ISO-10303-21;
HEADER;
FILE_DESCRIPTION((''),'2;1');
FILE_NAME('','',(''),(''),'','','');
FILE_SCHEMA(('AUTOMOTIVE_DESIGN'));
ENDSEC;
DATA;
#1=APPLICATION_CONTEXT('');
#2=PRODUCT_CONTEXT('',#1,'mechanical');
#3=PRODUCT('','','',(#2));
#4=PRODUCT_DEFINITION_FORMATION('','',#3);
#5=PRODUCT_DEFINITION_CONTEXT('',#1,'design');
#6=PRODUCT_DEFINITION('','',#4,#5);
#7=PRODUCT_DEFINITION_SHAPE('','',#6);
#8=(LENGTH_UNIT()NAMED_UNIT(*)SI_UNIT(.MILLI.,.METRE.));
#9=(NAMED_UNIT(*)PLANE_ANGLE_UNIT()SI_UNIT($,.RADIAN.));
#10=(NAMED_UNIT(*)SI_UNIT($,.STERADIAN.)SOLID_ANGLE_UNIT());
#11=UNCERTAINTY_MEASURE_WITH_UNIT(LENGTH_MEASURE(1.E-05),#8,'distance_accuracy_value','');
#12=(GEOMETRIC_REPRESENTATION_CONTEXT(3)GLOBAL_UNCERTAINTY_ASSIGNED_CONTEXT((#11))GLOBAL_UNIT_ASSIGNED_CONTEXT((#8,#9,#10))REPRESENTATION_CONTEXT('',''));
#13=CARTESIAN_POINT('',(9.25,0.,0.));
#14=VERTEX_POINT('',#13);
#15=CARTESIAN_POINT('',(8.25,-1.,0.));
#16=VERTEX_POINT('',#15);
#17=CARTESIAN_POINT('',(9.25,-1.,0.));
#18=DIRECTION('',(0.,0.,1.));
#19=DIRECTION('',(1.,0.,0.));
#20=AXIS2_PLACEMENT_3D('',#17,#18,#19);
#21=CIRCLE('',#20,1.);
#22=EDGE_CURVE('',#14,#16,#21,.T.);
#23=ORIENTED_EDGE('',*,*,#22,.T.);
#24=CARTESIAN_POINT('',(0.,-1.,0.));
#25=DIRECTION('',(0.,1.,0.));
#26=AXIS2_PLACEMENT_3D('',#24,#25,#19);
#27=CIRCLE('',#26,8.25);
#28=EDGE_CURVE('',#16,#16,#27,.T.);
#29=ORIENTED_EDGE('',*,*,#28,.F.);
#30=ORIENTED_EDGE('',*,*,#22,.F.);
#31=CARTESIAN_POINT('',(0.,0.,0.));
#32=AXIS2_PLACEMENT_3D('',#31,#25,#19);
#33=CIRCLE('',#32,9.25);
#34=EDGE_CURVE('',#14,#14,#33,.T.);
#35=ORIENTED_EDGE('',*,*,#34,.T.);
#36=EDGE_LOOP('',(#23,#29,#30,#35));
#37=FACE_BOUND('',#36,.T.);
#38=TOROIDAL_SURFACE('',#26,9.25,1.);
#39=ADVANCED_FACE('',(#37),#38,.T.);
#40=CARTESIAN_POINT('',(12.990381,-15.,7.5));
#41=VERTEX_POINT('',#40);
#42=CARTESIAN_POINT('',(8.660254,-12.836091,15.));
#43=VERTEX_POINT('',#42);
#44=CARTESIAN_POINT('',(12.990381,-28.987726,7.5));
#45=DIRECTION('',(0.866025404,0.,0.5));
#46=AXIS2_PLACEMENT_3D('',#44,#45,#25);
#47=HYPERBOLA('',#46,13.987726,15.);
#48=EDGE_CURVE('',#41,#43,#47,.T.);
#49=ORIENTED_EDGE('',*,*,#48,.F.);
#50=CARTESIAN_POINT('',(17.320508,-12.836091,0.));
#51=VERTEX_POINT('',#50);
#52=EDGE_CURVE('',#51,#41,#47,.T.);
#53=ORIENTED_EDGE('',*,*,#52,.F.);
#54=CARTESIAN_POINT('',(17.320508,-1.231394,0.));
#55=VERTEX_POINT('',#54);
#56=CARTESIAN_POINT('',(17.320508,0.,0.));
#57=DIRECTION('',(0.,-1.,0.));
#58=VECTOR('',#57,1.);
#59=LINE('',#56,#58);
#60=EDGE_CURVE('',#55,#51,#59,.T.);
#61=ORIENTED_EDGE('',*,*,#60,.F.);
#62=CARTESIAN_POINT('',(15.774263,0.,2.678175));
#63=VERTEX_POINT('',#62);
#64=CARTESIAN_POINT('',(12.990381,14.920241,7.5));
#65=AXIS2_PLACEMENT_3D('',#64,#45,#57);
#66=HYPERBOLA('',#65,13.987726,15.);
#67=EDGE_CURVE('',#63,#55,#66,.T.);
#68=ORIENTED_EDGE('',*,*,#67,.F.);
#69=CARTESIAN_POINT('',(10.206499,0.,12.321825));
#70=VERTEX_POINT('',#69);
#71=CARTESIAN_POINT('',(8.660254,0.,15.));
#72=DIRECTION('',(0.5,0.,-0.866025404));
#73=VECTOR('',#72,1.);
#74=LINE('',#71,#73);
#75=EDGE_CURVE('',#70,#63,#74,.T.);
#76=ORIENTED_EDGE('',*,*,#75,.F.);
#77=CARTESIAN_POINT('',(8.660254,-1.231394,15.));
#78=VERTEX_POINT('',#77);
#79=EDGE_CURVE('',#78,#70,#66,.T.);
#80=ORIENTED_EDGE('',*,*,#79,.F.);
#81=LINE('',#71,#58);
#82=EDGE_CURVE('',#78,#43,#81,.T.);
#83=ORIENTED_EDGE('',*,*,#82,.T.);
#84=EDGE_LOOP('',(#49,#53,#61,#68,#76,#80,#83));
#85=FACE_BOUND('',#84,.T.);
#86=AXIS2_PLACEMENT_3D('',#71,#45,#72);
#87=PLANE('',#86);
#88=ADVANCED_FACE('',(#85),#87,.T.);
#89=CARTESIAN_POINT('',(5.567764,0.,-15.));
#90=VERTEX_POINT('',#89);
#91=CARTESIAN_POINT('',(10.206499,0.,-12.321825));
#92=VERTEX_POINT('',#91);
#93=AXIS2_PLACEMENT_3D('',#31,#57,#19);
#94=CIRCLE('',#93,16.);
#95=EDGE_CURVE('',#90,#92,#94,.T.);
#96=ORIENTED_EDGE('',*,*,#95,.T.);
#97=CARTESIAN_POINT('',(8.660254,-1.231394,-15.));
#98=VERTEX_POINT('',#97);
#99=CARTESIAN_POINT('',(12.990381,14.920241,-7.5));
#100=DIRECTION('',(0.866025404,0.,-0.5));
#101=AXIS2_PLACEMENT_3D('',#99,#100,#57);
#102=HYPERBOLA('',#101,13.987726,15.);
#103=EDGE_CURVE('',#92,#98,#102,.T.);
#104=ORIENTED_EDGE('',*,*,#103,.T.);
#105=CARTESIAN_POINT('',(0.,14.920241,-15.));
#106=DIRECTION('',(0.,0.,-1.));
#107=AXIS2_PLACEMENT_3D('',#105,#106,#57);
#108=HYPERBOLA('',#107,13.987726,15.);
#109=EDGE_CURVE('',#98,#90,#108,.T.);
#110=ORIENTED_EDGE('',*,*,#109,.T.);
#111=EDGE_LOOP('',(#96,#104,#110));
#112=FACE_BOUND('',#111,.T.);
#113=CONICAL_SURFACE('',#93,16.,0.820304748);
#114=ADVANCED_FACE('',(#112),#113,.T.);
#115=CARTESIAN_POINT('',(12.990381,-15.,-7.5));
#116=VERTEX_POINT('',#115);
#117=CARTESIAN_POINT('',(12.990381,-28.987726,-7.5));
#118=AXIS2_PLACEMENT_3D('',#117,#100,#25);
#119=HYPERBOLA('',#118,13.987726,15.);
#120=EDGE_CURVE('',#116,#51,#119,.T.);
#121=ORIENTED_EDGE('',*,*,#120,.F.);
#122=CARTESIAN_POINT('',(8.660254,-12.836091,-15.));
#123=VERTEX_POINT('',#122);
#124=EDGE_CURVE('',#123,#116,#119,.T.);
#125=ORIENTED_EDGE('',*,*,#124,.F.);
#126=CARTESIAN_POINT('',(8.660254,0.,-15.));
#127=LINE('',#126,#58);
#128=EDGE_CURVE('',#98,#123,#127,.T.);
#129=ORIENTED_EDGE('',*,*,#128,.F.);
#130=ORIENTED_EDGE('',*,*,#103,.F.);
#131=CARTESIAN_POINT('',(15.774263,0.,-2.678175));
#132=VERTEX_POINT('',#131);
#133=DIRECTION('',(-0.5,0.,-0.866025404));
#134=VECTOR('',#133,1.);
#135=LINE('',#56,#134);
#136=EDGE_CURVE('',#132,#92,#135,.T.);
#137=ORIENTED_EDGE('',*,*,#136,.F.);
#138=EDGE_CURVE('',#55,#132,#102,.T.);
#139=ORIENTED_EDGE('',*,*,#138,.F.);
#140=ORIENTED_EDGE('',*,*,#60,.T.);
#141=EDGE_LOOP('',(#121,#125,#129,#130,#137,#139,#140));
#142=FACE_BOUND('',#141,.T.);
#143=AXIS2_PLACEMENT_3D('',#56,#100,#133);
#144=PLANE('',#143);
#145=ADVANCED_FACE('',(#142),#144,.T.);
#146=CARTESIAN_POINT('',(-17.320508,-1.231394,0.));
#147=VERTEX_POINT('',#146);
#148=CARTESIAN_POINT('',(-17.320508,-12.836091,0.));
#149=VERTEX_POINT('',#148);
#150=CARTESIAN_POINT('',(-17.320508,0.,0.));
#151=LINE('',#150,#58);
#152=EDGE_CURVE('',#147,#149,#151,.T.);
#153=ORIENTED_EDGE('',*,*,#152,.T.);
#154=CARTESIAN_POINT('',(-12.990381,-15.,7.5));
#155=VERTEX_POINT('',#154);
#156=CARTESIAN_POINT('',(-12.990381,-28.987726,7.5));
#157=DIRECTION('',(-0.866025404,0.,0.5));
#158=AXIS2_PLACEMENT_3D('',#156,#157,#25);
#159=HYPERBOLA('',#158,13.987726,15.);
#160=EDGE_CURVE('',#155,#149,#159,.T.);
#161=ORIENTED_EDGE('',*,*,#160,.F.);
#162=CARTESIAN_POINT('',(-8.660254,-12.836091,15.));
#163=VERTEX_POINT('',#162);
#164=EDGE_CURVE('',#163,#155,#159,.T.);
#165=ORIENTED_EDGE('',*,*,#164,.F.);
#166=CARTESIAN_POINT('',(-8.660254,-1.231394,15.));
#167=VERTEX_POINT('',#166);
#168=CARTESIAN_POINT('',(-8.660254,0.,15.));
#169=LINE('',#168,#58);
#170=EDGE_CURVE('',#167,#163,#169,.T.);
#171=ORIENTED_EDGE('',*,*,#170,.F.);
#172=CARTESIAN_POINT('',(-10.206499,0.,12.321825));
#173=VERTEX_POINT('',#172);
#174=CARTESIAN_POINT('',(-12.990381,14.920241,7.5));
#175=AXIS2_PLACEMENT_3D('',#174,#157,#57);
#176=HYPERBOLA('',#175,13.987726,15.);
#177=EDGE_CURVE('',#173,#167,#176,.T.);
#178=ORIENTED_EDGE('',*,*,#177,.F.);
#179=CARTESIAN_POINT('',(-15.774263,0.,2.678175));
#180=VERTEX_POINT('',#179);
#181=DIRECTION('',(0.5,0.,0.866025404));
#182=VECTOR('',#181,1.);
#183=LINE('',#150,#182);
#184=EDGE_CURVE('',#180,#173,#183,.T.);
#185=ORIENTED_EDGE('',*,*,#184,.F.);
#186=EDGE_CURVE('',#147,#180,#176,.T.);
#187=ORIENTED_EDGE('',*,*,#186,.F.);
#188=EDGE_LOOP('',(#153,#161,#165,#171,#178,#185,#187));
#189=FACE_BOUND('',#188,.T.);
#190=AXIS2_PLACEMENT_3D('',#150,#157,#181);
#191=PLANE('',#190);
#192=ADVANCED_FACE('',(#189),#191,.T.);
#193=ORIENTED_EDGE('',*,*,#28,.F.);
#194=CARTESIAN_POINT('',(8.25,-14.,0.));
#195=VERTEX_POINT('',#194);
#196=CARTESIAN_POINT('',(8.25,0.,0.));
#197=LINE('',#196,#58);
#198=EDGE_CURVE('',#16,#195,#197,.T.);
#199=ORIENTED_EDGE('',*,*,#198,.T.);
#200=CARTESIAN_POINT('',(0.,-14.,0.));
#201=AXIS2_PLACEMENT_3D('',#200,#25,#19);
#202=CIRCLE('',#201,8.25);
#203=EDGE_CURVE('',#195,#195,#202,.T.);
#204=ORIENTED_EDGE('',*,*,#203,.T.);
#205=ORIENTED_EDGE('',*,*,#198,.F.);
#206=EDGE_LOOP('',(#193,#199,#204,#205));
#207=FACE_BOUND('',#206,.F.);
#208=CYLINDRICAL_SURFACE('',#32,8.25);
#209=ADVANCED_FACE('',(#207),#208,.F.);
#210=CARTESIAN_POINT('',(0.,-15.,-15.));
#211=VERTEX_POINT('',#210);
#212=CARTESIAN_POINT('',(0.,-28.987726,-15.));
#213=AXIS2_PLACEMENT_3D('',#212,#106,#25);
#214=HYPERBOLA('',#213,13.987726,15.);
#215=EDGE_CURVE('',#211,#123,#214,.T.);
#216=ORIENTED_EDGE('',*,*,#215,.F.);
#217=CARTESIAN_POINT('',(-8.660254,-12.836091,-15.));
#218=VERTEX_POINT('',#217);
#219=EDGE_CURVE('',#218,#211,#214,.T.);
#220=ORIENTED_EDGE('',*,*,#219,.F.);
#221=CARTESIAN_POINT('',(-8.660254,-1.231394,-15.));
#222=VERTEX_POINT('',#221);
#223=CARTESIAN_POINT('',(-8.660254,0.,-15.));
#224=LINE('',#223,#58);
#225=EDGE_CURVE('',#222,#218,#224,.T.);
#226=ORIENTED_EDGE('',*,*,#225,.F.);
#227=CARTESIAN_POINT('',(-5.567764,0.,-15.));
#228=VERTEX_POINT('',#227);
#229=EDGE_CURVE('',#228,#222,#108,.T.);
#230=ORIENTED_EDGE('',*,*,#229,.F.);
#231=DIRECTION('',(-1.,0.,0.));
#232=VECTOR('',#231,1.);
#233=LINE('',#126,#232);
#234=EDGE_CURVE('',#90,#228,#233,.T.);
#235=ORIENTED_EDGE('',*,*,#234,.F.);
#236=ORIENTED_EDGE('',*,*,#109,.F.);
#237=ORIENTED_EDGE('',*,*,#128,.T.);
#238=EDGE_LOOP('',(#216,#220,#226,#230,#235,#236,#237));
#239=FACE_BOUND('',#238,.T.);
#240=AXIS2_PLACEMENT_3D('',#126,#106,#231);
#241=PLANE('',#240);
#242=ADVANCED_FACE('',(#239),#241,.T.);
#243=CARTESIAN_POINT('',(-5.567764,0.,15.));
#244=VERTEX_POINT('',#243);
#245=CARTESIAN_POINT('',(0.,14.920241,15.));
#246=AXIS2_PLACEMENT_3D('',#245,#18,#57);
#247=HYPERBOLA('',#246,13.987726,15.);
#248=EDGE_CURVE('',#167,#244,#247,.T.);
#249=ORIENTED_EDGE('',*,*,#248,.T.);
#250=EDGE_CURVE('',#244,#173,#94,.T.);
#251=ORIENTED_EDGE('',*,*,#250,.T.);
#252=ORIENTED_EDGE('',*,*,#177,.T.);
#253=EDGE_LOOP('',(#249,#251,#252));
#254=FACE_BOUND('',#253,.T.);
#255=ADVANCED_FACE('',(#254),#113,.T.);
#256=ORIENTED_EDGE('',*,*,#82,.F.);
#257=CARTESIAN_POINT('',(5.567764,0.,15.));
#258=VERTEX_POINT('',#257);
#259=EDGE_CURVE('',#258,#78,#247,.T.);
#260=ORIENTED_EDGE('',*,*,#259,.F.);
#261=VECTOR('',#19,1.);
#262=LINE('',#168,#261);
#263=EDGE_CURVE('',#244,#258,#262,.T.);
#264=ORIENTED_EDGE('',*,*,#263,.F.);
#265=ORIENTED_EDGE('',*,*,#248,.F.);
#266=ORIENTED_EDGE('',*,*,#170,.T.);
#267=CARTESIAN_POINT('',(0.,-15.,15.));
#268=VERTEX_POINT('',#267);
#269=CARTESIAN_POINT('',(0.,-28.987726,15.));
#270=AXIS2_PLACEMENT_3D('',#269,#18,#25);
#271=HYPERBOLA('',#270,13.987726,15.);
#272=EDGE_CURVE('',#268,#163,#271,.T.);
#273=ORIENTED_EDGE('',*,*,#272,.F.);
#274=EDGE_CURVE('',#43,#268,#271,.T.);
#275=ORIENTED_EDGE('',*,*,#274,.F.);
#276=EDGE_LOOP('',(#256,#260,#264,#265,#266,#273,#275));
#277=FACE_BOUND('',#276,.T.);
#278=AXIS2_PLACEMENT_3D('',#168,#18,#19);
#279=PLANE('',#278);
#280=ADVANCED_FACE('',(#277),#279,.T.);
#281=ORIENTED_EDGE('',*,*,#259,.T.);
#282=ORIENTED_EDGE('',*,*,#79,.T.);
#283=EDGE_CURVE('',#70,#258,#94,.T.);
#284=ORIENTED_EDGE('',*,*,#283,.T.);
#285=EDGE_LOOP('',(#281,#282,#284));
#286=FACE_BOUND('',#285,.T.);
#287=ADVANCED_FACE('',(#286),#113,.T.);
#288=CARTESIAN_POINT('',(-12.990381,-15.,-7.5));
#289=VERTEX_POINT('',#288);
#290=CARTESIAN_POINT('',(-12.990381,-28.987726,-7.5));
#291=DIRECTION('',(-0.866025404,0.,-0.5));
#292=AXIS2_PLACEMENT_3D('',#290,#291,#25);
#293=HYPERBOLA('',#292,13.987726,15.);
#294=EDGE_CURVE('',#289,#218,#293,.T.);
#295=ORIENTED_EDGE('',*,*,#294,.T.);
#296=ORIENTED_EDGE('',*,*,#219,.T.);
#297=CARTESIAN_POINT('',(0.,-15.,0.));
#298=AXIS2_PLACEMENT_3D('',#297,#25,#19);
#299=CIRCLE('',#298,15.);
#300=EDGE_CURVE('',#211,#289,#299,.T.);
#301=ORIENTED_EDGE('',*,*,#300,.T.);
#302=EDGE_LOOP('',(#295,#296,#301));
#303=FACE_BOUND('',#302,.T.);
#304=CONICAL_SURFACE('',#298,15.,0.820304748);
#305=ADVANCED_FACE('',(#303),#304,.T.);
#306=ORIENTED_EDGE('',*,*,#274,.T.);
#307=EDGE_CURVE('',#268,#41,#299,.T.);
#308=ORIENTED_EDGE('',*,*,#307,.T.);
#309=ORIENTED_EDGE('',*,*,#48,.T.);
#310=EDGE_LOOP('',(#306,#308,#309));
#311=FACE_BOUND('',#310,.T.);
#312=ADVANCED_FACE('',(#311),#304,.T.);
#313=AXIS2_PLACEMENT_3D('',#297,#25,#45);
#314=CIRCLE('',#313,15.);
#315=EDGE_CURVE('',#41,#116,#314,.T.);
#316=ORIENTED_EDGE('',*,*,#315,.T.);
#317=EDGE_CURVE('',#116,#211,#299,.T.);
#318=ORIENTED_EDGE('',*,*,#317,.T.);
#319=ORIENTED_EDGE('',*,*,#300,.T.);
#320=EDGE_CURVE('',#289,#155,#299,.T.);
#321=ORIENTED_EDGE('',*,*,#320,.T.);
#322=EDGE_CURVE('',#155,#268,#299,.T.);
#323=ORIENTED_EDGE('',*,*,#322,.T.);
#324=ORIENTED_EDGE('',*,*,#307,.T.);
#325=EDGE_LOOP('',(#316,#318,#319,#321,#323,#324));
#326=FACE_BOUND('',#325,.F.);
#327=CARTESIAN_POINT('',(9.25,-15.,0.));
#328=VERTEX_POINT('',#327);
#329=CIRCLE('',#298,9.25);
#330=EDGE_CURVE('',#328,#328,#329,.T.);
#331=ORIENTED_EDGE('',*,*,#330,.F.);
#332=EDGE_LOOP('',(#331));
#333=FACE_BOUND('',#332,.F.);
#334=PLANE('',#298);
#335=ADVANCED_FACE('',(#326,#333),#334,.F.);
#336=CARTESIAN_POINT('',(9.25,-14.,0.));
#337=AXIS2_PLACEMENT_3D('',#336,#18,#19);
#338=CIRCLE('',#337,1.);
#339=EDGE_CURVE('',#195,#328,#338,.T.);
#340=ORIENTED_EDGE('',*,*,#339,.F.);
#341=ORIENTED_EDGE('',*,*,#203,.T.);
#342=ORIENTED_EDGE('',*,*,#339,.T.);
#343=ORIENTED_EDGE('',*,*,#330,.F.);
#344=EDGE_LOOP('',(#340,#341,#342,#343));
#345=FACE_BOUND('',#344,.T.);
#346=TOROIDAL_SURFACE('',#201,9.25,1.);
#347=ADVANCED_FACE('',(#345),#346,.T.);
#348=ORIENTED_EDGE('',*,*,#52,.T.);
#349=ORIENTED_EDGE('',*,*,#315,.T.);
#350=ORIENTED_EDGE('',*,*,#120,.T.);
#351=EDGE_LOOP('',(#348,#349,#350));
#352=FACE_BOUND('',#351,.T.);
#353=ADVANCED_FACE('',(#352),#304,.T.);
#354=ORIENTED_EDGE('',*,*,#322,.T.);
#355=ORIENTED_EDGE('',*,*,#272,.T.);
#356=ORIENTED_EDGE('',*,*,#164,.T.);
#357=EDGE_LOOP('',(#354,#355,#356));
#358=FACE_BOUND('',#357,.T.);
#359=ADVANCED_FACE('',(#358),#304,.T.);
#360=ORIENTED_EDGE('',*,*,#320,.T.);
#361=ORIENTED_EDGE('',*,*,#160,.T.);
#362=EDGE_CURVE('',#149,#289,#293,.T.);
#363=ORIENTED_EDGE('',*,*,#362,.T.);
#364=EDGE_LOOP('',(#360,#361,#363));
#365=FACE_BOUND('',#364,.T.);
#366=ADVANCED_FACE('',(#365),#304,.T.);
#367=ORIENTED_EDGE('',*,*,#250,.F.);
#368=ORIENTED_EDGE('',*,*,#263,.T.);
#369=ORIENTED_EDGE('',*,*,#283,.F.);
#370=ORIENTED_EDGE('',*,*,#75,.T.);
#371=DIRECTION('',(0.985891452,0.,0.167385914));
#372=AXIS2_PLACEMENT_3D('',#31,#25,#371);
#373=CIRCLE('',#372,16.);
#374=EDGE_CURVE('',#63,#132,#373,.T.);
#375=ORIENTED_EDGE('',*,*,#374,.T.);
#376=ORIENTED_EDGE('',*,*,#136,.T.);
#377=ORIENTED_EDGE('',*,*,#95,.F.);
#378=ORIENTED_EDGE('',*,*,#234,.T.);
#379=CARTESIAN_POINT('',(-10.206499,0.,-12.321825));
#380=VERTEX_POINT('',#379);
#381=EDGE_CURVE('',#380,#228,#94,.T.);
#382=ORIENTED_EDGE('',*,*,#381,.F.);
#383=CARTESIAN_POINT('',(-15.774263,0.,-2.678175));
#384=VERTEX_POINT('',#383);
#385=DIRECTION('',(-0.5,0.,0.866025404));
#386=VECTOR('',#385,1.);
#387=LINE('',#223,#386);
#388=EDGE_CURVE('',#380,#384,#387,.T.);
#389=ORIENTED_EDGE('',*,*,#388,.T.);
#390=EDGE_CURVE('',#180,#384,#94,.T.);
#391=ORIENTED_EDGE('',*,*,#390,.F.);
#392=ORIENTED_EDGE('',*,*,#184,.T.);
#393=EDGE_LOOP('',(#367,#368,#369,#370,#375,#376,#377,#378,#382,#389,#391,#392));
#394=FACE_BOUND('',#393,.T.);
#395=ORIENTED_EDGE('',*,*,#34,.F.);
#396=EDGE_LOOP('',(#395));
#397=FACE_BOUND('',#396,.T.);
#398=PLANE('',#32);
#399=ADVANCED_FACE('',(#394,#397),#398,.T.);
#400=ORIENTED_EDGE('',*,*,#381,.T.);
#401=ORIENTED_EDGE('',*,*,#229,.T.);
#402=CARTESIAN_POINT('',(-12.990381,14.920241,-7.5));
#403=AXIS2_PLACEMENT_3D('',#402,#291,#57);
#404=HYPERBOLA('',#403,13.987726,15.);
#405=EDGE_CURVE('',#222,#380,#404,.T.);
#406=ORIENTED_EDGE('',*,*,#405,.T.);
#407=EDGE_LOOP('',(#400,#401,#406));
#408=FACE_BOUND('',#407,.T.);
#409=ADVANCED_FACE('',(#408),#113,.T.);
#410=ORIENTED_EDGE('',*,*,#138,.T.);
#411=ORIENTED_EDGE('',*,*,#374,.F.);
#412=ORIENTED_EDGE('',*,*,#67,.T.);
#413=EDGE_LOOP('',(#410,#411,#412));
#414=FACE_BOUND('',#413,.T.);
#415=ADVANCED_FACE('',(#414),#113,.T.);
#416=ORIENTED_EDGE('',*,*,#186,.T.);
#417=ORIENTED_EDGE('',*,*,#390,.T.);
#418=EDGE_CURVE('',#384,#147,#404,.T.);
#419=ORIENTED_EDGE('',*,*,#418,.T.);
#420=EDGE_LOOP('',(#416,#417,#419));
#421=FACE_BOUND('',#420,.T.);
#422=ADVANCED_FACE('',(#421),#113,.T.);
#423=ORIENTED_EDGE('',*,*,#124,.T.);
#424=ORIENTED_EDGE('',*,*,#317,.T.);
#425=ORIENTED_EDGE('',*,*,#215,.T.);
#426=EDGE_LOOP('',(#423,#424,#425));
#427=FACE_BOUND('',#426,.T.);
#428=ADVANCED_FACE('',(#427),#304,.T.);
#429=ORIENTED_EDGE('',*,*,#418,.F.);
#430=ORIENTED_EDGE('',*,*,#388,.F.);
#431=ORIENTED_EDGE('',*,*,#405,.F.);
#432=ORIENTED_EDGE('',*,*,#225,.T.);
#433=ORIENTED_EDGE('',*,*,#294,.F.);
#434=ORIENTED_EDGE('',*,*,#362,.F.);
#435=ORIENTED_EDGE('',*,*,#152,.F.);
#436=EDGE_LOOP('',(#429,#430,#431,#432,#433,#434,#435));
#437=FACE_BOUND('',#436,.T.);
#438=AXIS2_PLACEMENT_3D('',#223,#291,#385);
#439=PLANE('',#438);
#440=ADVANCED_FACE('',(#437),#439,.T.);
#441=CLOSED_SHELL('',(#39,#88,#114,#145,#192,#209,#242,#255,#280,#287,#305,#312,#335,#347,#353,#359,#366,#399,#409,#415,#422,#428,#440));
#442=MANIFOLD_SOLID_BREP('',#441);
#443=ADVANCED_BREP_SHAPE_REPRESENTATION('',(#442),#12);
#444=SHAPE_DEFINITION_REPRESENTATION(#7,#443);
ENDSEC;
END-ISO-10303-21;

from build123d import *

# Parameters (mm, degrees)
SALIENTE_EXTRUIR1_DEPTH = 15
CROQUIS2_OUTSIDE_W      = 78.456
CROQUIS2_OUTSIDE_H      = 73.814
CROQUIS2_OUTSIDE_R      = 16
CORTAR_EXTRUIR1_DEPTH   = 15
CORTAR_EXTRUIR1_TAPER   = 47
CROQUIS3_OUTSIDE_W      = 78.456
CROQUIS3_OUTSIDE_H      = 73.814
CROQUIS3_OUTSIDE_R      = 15
CORTAR_EXTRUIR2_DEPTH   = 15
CORTAR_EXTRUIR2_TAPER   = 47
CROQUIS4_R              = 8.25
CORTAR_EXTRUIR3_DEPTH   = 15
REDONDEO1_R             = 1


with BuildPart() as part:
    # Croquis1 → Saliente-Extruir1 (new body)
    with BuildSketch(Plane(origin=(0, 0, 0), x_dir=(1, 0, 0), z_dir=(0, 1, 0))):
        Polygon((-8.660254038, -15), (8.660254038, -15), (17.320508076, 0), (8.660254038, 15), (-8.660254038, 15), (-17.320508076, 0), align=None)
    extrude(amount=-SALIENTE_EXTRUIR1_DEPTH)

    # Croquis2 outside → Cortar-Extruir1 (cut)
    with BuildSketch(Plane(origin=(0, 0, 0), x_dir=(1, 0, 0), z_dir=(0, 1, 0))):
        Rectangle(CROQUIS2_OUTSIDE_W, CROQUIS2_OUTSIDE_H)
        Circle(CROQUIS2_OUTSIDE_R, mode=Mode.SUBTRACT)
    extrude(amount=-CORTAR_EXTRUIR1_DEPTH, taper=CORTAR_EXTRUIR1_TAPER, mode=Mode.SUBTRACT)

    # Croquis3 outside → Cortar-Extruir2 (cut)
    with BuildSketch(Plane.XZ.offset(15)):
        Rectangle(CROQUIS3_OUTSIDE_W, CROQUIS3_OUTSIDE_H)
        Circle(CROQUIS3_OUTSIDE_R, mode=Mode.SUBTRACT)
    extrude(amount=-CORTAR_EXTRUIR2_DEPTH, taper=CORTAR_EXTRUIR2_TAPER, mode=Mode.SUBTRACT)

    # Croquis4 → Cortar-Extruir3 (cut)
    with BuildSketch(Plane(origin=(0, 0, 0), x_dir=(1, 0, 0), z_dir=(0, 1, 0))):
        Circle(CROQUIS4_R)
    extrude(amount=-CORTAR_EXTRUIR3_DEPTH, mode=Mode.SUBTRACT)

    # Redondeo1
    redondeo1_edges = [part.edges().sort_by_distance(p)[0] for p in [
        (-8.25, -15, 0),
        (-8.25, 0, 0),
    ]]
    fillet(redondeo1_edges, radius=REDONDEO1_R)


solid = part.part
